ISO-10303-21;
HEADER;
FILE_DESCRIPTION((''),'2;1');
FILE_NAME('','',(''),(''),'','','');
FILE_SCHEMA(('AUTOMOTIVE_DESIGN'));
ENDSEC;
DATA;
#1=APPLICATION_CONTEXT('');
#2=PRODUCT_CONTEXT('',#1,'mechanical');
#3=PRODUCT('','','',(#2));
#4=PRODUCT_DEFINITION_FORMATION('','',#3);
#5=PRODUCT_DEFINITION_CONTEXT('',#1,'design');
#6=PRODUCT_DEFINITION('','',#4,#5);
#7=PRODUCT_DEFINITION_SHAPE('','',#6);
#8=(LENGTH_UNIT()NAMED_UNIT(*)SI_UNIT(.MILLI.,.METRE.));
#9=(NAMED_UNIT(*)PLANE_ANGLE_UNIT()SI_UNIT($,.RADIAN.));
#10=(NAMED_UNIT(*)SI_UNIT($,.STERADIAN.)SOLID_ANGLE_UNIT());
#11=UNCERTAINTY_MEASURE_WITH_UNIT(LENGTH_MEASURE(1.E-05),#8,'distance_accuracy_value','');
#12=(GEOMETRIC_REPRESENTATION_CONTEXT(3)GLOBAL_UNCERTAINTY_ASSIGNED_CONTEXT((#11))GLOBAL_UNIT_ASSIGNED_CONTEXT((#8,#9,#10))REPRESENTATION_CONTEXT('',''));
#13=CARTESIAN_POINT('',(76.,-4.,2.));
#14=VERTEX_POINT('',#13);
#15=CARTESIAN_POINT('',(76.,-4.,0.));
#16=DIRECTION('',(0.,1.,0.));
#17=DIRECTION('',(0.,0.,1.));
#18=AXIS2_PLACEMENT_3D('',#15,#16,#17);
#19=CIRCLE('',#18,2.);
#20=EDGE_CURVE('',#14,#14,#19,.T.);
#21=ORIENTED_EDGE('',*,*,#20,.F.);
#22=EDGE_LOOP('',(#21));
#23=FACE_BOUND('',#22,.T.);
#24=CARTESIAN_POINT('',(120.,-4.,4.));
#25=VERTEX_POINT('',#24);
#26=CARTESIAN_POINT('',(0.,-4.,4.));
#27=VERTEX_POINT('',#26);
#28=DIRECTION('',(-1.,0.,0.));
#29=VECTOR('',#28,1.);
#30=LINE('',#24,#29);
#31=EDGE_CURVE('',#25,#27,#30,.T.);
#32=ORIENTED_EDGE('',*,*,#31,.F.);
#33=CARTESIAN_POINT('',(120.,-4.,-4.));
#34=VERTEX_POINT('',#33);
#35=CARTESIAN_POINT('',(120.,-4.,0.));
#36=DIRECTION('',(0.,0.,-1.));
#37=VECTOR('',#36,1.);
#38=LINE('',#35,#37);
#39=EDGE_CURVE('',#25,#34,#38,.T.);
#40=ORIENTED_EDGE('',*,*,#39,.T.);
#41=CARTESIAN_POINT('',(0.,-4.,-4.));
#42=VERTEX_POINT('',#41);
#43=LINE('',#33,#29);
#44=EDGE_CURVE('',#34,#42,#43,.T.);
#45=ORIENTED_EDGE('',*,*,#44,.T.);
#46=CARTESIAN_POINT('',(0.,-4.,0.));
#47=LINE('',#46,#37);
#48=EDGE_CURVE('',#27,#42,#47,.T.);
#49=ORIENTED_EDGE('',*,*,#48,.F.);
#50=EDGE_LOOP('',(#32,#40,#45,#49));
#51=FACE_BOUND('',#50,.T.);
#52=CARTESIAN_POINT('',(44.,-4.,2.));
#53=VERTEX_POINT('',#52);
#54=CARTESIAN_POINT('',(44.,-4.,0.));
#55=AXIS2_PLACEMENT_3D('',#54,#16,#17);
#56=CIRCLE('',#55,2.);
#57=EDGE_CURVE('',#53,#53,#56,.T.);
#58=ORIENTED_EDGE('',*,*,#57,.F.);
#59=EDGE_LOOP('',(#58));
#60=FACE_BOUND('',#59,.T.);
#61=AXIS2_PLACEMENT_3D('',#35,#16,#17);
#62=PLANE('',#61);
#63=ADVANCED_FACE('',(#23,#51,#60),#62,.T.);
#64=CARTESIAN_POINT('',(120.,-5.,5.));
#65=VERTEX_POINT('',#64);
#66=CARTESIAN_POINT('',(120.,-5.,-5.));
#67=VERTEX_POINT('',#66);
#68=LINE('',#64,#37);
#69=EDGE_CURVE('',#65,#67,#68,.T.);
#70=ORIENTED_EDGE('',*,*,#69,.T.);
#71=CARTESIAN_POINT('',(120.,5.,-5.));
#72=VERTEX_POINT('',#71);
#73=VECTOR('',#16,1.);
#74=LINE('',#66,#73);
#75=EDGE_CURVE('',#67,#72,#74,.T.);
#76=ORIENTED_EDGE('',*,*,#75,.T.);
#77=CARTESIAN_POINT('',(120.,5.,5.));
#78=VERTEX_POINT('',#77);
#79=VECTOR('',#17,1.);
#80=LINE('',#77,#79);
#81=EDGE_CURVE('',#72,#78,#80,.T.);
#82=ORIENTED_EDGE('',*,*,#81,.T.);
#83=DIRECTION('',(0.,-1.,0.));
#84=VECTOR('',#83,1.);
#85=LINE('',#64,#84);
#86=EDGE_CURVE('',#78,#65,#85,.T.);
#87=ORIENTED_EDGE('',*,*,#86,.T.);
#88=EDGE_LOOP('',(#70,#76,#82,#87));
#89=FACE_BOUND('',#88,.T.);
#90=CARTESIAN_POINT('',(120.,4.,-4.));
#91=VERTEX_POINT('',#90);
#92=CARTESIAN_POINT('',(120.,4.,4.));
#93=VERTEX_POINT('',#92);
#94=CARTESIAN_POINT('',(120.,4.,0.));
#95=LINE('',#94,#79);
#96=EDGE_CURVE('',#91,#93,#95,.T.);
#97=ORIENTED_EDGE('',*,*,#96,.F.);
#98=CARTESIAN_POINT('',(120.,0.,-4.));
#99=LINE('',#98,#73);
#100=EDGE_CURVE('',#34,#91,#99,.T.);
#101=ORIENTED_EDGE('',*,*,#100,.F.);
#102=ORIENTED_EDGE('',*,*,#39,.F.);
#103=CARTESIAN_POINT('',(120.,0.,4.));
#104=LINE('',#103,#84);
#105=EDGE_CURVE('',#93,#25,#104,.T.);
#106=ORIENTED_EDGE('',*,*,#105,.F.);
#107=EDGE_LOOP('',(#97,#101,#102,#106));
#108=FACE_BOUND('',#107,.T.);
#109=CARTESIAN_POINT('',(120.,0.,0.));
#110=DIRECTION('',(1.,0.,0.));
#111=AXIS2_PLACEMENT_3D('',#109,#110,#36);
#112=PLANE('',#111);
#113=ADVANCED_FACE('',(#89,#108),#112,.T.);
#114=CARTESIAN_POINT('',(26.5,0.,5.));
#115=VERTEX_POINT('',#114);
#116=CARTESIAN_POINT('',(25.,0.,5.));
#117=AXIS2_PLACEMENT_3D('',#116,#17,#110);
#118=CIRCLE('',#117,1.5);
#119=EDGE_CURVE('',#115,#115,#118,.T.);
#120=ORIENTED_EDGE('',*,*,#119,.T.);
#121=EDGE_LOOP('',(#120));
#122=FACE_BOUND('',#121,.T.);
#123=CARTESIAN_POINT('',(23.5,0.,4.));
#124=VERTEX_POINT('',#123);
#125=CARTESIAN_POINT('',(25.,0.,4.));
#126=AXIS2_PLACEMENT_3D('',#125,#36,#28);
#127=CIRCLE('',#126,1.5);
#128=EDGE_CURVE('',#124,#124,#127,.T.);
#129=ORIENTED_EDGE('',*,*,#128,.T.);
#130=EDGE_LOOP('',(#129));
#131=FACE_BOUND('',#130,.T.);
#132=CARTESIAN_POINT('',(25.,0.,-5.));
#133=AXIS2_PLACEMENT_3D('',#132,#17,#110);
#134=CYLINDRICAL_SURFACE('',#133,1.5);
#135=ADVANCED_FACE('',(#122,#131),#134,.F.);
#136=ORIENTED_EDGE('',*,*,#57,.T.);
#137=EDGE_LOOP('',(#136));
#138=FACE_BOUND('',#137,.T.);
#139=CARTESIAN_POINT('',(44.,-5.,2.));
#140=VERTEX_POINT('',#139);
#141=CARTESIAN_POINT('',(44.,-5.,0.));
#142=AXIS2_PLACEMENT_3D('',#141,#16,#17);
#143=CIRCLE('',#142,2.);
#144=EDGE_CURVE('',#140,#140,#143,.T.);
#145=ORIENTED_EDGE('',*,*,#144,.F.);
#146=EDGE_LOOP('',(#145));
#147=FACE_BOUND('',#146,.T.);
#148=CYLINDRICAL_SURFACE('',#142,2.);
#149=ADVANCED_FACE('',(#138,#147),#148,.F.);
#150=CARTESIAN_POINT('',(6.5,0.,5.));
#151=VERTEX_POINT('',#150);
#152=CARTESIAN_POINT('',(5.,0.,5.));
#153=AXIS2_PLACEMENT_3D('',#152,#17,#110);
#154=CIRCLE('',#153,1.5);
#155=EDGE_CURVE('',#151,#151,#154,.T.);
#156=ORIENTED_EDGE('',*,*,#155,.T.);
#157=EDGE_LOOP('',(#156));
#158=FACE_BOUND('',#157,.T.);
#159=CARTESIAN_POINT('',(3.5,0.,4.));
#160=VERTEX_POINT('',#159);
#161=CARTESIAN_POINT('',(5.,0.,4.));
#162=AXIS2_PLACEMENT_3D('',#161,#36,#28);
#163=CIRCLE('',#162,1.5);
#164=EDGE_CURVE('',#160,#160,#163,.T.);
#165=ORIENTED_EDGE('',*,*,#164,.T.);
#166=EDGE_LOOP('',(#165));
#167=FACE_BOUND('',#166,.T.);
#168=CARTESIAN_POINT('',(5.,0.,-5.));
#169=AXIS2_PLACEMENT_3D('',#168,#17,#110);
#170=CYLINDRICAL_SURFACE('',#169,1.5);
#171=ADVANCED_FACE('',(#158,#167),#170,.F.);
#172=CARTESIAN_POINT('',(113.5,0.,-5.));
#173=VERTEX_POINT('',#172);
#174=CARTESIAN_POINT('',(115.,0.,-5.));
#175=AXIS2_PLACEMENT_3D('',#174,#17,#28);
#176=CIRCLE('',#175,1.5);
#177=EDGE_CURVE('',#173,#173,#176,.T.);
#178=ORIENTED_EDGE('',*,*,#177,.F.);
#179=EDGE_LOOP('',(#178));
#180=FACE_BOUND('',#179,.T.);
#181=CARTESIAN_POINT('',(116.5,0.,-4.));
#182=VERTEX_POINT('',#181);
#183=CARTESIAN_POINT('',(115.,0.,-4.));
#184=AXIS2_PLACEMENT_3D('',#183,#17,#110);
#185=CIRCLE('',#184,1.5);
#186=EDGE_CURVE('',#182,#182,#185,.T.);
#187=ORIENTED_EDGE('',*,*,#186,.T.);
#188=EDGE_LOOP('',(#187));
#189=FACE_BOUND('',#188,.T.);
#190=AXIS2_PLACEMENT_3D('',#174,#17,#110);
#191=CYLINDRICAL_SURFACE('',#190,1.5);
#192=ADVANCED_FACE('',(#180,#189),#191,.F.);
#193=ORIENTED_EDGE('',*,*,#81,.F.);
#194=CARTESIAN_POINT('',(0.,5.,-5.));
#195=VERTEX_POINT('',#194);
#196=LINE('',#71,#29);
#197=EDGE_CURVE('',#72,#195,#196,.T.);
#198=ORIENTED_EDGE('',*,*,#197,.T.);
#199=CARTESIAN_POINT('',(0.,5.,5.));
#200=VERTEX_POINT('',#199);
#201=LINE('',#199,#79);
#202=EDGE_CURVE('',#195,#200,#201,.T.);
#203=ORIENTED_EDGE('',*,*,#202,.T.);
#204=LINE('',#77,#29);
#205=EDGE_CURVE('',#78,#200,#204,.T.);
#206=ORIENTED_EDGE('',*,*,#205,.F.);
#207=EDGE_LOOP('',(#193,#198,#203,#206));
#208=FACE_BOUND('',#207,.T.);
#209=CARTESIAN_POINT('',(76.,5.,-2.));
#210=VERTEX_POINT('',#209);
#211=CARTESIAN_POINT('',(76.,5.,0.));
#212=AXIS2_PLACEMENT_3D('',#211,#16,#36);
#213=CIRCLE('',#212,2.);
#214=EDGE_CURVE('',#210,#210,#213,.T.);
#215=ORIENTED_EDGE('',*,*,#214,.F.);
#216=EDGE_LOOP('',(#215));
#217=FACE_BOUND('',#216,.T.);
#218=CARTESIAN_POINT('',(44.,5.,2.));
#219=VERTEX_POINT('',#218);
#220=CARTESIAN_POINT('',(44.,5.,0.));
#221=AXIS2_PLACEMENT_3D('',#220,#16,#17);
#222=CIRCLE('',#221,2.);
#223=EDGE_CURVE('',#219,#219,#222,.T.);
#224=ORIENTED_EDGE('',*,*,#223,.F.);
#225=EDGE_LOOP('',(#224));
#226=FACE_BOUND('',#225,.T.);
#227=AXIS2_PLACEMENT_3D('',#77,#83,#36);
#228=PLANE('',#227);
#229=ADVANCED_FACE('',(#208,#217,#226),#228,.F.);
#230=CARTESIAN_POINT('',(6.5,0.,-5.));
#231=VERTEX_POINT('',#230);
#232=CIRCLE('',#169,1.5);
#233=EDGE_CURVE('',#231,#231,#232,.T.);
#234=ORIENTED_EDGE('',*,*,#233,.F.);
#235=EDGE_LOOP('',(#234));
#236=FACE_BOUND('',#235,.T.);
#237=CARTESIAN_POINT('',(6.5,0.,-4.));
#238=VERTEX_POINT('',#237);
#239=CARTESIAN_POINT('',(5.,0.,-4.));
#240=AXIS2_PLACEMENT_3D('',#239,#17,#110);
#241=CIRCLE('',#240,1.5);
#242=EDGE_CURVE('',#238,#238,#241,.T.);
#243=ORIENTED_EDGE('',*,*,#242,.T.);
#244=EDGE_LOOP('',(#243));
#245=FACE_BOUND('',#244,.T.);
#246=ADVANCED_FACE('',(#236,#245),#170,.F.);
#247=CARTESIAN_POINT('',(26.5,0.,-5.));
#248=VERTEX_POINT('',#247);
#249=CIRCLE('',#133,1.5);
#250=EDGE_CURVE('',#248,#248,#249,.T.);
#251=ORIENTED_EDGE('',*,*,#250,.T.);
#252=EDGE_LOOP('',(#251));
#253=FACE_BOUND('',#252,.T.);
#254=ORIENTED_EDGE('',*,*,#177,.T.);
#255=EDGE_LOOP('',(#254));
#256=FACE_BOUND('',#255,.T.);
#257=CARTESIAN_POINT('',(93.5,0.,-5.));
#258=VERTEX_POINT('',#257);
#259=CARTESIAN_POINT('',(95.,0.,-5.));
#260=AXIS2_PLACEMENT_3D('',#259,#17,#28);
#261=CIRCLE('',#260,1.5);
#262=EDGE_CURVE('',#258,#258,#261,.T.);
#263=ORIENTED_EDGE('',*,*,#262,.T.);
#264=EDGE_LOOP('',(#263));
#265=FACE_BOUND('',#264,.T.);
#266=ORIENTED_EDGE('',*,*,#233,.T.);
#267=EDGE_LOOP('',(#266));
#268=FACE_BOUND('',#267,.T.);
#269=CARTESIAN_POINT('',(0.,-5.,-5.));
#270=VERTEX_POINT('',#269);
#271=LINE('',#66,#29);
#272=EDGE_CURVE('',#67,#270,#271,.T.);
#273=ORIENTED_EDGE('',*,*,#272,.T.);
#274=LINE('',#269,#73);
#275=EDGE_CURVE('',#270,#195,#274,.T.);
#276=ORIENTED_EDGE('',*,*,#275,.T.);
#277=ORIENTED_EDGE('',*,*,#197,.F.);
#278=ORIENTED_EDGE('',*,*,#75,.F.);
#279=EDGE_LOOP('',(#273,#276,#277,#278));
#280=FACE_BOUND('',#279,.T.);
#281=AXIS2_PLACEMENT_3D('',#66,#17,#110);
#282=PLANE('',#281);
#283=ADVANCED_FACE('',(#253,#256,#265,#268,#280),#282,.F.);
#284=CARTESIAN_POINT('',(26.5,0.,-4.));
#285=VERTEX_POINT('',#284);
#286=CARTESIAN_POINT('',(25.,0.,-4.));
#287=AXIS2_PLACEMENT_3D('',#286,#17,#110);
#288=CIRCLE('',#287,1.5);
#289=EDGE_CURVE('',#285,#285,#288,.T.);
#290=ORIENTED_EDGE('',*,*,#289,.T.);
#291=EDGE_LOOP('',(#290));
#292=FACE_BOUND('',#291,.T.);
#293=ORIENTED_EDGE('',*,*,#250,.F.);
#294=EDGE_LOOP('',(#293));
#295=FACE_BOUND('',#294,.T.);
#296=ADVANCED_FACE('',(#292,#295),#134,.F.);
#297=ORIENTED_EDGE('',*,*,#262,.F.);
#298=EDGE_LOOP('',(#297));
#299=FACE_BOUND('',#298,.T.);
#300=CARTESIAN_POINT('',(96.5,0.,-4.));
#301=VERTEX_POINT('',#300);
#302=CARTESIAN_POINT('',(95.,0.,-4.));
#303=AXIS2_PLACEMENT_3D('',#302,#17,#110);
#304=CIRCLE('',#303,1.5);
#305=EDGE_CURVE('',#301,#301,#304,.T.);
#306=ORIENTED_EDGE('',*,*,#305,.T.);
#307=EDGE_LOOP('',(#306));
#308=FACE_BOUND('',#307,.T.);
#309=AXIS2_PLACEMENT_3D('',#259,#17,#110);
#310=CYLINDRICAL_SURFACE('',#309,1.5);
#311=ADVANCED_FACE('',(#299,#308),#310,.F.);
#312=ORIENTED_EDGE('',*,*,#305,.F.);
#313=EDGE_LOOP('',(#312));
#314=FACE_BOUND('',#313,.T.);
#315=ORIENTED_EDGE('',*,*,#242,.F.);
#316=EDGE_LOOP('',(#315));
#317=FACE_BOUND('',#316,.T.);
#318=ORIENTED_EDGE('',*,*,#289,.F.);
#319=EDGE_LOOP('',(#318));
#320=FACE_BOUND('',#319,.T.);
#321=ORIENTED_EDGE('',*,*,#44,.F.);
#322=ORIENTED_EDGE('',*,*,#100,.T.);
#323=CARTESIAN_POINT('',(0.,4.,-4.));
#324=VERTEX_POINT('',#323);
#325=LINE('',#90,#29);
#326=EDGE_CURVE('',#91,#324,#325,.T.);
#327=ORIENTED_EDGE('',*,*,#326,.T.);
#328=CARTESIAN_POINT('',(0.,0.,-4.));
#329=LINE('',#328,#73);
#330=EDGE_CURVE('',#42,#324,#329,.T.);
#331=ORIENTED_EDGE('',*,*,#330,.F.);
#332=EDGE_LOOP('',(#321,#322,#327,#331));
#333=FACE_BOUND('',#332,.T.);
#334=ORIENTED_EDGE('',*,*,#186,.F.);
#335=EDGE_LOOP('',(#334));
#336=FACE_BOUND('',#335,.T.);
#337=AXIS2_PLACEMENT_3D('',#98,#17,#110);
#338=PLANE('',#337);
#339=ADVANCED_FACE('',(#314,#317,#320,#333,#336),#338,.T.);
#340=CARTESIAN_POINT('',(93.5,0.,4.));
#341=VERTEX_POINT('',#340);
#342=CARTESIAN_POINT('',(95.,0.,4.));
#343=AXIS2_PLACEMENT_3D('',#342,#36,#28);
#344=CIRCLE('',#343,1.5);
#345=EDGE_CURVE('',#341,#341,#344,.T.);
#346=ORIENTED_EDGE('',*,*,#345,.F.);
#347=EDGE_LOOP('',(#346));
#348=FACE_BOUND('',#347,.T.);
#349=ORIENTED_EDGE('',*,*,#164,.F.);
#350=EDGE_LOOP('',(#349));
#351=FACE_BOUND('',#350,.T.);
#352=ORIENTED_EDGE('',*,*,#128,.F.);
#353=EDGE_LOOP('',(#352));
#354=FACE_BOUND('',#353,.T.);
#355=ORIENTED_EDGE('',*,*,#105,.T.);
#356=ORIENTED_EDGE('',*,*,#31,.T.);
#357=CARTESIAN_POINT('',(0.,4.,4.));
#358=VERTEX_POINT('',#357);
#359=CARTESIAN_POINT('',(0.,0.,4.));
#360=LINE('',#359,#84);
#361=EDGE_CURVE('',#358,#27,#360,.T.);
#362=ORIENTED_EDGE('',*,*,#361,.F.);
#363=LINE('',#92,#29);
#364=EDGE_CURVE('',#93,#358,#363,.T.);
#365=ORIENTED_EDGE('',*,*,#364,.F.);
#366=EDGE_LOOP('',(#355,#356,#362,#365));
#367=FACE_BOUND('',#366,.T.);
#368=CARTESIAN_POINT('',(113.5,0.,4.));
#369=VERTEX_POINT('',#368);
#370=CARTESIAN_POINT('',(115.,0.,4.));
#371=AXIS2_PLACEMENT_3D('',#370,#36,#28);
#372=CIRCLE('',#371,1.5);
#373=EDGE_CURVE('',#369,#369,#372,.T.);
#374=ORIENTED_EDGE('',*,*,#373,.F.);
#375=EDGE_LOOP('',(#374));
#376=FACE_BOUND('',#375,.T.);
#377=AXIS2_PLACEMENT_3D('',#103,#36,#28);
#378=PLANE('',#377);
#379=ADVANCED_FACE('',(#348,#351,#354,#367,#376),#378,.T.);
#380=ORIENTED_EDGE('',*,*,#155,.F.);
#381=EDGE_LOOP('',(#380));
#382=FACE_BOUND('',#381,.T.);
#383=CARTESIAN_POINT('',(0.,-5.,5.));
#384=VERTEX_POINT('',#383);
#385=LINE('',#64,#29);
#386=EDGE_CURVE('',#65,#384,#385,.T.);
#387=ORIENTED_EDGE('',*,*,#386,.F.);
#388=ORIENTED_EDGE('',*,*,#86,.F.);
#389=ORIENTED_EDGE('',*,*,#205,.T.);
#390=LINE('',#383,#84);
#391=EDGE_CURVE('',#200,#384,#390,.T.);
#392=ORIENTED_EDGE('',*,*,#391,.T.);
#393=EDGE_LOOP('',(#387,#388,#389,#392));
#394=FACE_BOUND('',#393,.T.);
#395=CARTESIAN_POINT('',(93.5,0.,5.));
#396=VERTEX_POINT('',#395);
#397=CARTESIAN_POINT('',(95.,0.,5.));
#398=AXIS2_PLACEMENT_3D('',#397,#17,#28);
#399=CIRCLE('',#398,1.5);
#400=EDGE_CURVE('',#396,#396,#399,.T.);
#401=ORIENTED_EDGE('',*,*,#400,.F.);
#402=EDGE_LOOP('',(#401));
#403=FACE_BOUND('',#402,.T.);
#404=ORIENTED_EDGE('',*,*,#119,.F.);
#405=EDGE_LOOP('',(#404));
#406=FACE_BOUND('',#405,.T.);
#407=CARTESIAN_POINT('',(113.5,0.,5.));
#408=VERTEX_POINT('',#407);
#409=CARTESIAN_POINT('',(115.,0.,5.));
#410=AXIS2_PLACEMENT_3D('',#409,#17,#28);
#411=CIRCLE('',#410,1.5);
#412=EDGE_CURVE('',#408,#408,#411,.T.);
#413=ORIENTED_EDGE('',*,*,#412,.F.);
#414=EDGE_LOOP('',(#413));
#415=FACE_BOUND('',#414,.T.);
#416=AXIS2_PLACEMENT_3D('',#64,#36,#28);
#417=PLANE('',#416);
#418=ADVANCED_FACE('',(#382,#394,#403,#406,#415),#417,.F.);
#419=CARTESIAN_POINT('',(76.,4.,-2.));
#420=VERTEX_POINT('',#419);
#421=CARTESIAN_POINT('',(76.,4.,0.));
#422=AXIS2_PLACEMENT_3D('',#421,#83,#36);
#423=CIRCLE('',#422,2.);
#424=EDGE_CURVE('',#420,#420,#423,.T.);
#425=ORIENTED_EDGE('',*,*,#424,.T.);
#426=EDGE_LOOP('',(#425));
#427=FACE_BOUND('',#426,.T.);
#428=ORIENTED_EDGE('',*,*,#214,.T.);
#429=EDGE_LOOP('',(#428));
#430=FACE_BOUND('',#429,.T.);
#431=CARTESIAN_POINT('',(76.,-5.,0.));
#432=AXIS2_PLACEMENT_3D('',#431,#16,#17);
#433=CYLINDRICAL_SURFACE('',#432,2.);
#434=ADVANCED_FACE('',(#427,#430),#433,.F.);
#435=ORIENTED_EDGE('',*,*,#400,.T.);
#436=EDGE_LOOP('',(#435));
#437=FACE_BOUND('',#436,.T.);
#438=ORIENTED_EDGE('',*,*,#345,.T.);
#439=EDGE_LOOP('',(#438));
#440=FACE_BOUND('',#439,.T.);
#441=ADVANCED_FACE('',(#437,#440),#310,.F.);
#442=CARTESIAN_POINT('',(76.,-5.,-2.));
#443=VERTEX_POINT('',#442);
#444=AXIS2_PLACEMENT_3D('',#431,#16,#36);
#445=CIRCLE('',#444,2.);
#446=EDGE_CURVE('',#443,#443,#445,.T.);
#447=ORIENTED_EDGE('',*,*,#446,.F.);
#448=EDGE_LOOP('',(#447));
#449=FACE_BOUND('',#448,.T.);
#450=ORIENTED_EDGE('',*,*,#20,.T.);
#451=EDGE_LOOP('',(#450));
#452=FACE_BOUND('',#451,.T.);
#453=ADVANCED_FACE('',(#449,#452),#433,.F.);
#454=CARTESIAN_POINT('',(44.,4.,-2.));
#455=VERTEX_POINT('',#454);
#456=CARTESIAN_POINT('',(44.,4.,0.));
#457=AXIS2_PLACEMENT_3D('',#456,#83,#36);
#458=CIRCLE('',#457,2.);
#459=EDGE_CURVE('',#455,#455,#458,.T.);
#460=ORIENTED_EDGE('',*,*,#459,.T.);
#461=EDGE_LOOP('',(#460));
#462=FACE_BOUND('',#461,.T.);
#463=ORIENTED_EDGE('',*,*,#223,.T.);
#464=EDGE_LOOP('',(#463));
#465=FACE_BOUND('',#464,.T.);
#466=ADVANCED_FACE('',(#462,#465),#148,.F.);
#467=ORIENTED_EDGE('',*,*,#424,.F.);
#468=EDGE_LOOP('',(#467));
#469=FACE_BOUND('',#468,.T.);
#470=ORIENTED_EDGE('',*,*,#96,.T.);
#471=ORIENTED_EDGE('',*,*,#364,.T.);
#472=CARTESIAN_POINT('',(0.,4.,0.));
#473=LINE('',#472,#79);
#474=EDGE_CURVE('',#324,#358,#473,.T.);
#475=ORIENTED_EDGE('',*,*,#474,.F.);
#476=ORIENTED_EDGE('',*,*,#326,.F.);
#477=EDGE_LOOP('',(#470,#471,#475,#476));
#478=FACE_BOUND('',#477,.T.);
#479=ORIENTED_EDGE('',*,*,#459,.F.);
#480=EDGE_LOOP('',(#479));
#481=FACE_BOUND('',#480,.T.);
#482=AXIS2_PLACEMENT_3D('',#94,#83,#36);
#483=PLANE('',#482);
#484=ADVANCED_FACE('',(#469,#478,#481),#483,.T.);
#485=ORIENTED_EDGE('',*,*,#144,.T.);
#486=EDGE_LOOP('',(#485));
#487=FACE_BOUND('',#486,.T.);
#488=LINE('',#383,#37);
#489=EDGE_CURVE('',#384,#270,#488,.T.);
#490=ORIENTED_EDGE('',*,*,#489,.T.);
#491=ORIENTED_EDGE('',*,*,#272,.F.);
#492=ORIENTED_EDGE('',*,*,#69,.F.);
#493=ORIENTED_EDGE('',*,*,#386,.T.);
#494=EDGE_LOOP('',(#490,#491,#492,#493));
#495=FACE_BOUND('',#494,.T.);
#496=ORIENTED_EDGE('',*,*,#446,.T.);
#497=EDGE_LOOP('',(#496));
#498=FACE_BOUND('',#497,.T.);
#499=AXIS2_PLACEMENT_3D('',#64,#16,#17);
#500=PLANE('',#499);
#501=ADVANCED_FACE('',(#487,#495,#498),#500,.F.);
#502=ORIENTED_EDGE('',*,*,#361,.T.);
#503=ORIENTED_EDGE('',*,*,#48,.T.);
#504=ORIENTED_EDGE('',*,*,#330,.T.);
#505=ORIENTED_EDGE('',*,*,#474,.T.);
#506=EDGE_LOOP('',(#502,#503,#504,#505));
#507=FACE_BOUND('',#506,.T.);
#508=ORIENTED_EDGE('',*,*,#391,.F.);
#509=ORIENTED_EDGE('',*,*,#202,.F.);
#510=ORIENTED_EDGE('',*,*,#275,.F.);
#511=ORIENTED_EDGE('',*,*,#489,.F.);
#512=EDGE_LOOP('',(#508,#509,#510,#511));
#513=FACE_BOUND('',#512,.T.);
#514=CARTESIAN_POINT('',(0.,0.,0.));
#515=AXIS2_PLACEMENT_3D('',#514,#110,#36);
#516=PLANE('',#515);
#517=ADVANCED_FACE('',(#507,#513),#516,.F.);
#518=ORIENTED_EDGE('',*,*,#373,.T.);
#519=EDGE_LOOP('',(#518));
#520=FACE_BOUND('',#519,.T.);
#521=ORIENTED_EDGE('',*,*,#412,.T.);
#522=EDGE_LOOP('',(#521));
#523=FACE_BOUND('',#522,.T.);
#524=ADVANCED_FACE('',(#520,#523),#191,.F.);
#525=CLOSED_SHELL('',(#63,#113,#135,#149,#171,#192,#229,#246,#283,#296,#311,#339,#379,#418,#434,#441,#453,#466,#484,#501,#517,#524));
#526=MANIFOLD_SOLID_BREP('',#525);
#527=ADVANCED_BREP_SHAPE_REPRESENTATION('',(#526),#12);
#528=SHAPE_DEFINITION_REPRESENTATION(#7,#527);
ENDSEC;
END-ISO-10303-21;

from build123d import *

# Parameters (mm, degrees)
SKETCH_1_W          = 10
SKETCH_1_H          = 10
SKETCH_1_W_2        = 8
SKETCH_1_H_2        = 8
EXTRUDE_1_DEPTH     = 120
SKETCH_2_R          = 2
CUT_EXTRUDE_1_DEPTH = 121.519707932
SKETCH_3_R          = 1.5
CUT_EXTRUDE_2_DEPTH = 121.519707932


with BuildPart() as part:
    # ｽｹｯﾁ1 → 押し出し-薄板1 (new body)
    with BuildSketch(Plane(origin=(0, 0, 0), x_dir=(0, 0, -1), z_dir=(1, 0, 0))):
        Rectangle(SKETCH_1_W, SKETCH_1_H)
        Rectangle(SKETCH_1_W_2, SKETCH_1_H_2, mode=Mode.SUBTRACT)
    extrude(amount=EXTRUDE_1_DEPTH)

    # ｽｹｯﾁ2 → ｶｯﾄ - 押し出し1 (cut, through all)
    with BuildSketch(Plane(origin=(0, 5, 0), x_dir=(1, 0, 0), z_dir=(0, 1, 0))):
        with Locations(Location((44, 0, 0), (0, 0, 270))):
            Circle(SKETCH_2_R)
        with Locations(Location((76, 0, 0), (0, 0, 270))):
            Circle(SKETCH_2_R)
    extrude(amount=-CUT_EXTRUDE_1_DEPTH, mode=Mode.SUBTRACT)

    # ｽｹｯﾁ3 → ｶｯﾄ - 押し出し2 (cut, through all)
    with BuildSketch(Plane.XY.offset(5)):
        with Locations((5, 0)):
            Circle(SKETCH_3_R)
        with Locations(Location((115, 0, 0), (0, 0, 180))):
            Circle(SKETCH_3_R)
        with Locations((25, 0)):
            Circle(SKETCH_3_R)
        with Locations(Location((95, 0, 0), (0, 0, 180))):
            Circle(SKETCH_3_R)
    extrude(amount=-CUT_EXTRUDE_2_DEPTH, mode=Mode.SUBTRACT)


solid = part.part
